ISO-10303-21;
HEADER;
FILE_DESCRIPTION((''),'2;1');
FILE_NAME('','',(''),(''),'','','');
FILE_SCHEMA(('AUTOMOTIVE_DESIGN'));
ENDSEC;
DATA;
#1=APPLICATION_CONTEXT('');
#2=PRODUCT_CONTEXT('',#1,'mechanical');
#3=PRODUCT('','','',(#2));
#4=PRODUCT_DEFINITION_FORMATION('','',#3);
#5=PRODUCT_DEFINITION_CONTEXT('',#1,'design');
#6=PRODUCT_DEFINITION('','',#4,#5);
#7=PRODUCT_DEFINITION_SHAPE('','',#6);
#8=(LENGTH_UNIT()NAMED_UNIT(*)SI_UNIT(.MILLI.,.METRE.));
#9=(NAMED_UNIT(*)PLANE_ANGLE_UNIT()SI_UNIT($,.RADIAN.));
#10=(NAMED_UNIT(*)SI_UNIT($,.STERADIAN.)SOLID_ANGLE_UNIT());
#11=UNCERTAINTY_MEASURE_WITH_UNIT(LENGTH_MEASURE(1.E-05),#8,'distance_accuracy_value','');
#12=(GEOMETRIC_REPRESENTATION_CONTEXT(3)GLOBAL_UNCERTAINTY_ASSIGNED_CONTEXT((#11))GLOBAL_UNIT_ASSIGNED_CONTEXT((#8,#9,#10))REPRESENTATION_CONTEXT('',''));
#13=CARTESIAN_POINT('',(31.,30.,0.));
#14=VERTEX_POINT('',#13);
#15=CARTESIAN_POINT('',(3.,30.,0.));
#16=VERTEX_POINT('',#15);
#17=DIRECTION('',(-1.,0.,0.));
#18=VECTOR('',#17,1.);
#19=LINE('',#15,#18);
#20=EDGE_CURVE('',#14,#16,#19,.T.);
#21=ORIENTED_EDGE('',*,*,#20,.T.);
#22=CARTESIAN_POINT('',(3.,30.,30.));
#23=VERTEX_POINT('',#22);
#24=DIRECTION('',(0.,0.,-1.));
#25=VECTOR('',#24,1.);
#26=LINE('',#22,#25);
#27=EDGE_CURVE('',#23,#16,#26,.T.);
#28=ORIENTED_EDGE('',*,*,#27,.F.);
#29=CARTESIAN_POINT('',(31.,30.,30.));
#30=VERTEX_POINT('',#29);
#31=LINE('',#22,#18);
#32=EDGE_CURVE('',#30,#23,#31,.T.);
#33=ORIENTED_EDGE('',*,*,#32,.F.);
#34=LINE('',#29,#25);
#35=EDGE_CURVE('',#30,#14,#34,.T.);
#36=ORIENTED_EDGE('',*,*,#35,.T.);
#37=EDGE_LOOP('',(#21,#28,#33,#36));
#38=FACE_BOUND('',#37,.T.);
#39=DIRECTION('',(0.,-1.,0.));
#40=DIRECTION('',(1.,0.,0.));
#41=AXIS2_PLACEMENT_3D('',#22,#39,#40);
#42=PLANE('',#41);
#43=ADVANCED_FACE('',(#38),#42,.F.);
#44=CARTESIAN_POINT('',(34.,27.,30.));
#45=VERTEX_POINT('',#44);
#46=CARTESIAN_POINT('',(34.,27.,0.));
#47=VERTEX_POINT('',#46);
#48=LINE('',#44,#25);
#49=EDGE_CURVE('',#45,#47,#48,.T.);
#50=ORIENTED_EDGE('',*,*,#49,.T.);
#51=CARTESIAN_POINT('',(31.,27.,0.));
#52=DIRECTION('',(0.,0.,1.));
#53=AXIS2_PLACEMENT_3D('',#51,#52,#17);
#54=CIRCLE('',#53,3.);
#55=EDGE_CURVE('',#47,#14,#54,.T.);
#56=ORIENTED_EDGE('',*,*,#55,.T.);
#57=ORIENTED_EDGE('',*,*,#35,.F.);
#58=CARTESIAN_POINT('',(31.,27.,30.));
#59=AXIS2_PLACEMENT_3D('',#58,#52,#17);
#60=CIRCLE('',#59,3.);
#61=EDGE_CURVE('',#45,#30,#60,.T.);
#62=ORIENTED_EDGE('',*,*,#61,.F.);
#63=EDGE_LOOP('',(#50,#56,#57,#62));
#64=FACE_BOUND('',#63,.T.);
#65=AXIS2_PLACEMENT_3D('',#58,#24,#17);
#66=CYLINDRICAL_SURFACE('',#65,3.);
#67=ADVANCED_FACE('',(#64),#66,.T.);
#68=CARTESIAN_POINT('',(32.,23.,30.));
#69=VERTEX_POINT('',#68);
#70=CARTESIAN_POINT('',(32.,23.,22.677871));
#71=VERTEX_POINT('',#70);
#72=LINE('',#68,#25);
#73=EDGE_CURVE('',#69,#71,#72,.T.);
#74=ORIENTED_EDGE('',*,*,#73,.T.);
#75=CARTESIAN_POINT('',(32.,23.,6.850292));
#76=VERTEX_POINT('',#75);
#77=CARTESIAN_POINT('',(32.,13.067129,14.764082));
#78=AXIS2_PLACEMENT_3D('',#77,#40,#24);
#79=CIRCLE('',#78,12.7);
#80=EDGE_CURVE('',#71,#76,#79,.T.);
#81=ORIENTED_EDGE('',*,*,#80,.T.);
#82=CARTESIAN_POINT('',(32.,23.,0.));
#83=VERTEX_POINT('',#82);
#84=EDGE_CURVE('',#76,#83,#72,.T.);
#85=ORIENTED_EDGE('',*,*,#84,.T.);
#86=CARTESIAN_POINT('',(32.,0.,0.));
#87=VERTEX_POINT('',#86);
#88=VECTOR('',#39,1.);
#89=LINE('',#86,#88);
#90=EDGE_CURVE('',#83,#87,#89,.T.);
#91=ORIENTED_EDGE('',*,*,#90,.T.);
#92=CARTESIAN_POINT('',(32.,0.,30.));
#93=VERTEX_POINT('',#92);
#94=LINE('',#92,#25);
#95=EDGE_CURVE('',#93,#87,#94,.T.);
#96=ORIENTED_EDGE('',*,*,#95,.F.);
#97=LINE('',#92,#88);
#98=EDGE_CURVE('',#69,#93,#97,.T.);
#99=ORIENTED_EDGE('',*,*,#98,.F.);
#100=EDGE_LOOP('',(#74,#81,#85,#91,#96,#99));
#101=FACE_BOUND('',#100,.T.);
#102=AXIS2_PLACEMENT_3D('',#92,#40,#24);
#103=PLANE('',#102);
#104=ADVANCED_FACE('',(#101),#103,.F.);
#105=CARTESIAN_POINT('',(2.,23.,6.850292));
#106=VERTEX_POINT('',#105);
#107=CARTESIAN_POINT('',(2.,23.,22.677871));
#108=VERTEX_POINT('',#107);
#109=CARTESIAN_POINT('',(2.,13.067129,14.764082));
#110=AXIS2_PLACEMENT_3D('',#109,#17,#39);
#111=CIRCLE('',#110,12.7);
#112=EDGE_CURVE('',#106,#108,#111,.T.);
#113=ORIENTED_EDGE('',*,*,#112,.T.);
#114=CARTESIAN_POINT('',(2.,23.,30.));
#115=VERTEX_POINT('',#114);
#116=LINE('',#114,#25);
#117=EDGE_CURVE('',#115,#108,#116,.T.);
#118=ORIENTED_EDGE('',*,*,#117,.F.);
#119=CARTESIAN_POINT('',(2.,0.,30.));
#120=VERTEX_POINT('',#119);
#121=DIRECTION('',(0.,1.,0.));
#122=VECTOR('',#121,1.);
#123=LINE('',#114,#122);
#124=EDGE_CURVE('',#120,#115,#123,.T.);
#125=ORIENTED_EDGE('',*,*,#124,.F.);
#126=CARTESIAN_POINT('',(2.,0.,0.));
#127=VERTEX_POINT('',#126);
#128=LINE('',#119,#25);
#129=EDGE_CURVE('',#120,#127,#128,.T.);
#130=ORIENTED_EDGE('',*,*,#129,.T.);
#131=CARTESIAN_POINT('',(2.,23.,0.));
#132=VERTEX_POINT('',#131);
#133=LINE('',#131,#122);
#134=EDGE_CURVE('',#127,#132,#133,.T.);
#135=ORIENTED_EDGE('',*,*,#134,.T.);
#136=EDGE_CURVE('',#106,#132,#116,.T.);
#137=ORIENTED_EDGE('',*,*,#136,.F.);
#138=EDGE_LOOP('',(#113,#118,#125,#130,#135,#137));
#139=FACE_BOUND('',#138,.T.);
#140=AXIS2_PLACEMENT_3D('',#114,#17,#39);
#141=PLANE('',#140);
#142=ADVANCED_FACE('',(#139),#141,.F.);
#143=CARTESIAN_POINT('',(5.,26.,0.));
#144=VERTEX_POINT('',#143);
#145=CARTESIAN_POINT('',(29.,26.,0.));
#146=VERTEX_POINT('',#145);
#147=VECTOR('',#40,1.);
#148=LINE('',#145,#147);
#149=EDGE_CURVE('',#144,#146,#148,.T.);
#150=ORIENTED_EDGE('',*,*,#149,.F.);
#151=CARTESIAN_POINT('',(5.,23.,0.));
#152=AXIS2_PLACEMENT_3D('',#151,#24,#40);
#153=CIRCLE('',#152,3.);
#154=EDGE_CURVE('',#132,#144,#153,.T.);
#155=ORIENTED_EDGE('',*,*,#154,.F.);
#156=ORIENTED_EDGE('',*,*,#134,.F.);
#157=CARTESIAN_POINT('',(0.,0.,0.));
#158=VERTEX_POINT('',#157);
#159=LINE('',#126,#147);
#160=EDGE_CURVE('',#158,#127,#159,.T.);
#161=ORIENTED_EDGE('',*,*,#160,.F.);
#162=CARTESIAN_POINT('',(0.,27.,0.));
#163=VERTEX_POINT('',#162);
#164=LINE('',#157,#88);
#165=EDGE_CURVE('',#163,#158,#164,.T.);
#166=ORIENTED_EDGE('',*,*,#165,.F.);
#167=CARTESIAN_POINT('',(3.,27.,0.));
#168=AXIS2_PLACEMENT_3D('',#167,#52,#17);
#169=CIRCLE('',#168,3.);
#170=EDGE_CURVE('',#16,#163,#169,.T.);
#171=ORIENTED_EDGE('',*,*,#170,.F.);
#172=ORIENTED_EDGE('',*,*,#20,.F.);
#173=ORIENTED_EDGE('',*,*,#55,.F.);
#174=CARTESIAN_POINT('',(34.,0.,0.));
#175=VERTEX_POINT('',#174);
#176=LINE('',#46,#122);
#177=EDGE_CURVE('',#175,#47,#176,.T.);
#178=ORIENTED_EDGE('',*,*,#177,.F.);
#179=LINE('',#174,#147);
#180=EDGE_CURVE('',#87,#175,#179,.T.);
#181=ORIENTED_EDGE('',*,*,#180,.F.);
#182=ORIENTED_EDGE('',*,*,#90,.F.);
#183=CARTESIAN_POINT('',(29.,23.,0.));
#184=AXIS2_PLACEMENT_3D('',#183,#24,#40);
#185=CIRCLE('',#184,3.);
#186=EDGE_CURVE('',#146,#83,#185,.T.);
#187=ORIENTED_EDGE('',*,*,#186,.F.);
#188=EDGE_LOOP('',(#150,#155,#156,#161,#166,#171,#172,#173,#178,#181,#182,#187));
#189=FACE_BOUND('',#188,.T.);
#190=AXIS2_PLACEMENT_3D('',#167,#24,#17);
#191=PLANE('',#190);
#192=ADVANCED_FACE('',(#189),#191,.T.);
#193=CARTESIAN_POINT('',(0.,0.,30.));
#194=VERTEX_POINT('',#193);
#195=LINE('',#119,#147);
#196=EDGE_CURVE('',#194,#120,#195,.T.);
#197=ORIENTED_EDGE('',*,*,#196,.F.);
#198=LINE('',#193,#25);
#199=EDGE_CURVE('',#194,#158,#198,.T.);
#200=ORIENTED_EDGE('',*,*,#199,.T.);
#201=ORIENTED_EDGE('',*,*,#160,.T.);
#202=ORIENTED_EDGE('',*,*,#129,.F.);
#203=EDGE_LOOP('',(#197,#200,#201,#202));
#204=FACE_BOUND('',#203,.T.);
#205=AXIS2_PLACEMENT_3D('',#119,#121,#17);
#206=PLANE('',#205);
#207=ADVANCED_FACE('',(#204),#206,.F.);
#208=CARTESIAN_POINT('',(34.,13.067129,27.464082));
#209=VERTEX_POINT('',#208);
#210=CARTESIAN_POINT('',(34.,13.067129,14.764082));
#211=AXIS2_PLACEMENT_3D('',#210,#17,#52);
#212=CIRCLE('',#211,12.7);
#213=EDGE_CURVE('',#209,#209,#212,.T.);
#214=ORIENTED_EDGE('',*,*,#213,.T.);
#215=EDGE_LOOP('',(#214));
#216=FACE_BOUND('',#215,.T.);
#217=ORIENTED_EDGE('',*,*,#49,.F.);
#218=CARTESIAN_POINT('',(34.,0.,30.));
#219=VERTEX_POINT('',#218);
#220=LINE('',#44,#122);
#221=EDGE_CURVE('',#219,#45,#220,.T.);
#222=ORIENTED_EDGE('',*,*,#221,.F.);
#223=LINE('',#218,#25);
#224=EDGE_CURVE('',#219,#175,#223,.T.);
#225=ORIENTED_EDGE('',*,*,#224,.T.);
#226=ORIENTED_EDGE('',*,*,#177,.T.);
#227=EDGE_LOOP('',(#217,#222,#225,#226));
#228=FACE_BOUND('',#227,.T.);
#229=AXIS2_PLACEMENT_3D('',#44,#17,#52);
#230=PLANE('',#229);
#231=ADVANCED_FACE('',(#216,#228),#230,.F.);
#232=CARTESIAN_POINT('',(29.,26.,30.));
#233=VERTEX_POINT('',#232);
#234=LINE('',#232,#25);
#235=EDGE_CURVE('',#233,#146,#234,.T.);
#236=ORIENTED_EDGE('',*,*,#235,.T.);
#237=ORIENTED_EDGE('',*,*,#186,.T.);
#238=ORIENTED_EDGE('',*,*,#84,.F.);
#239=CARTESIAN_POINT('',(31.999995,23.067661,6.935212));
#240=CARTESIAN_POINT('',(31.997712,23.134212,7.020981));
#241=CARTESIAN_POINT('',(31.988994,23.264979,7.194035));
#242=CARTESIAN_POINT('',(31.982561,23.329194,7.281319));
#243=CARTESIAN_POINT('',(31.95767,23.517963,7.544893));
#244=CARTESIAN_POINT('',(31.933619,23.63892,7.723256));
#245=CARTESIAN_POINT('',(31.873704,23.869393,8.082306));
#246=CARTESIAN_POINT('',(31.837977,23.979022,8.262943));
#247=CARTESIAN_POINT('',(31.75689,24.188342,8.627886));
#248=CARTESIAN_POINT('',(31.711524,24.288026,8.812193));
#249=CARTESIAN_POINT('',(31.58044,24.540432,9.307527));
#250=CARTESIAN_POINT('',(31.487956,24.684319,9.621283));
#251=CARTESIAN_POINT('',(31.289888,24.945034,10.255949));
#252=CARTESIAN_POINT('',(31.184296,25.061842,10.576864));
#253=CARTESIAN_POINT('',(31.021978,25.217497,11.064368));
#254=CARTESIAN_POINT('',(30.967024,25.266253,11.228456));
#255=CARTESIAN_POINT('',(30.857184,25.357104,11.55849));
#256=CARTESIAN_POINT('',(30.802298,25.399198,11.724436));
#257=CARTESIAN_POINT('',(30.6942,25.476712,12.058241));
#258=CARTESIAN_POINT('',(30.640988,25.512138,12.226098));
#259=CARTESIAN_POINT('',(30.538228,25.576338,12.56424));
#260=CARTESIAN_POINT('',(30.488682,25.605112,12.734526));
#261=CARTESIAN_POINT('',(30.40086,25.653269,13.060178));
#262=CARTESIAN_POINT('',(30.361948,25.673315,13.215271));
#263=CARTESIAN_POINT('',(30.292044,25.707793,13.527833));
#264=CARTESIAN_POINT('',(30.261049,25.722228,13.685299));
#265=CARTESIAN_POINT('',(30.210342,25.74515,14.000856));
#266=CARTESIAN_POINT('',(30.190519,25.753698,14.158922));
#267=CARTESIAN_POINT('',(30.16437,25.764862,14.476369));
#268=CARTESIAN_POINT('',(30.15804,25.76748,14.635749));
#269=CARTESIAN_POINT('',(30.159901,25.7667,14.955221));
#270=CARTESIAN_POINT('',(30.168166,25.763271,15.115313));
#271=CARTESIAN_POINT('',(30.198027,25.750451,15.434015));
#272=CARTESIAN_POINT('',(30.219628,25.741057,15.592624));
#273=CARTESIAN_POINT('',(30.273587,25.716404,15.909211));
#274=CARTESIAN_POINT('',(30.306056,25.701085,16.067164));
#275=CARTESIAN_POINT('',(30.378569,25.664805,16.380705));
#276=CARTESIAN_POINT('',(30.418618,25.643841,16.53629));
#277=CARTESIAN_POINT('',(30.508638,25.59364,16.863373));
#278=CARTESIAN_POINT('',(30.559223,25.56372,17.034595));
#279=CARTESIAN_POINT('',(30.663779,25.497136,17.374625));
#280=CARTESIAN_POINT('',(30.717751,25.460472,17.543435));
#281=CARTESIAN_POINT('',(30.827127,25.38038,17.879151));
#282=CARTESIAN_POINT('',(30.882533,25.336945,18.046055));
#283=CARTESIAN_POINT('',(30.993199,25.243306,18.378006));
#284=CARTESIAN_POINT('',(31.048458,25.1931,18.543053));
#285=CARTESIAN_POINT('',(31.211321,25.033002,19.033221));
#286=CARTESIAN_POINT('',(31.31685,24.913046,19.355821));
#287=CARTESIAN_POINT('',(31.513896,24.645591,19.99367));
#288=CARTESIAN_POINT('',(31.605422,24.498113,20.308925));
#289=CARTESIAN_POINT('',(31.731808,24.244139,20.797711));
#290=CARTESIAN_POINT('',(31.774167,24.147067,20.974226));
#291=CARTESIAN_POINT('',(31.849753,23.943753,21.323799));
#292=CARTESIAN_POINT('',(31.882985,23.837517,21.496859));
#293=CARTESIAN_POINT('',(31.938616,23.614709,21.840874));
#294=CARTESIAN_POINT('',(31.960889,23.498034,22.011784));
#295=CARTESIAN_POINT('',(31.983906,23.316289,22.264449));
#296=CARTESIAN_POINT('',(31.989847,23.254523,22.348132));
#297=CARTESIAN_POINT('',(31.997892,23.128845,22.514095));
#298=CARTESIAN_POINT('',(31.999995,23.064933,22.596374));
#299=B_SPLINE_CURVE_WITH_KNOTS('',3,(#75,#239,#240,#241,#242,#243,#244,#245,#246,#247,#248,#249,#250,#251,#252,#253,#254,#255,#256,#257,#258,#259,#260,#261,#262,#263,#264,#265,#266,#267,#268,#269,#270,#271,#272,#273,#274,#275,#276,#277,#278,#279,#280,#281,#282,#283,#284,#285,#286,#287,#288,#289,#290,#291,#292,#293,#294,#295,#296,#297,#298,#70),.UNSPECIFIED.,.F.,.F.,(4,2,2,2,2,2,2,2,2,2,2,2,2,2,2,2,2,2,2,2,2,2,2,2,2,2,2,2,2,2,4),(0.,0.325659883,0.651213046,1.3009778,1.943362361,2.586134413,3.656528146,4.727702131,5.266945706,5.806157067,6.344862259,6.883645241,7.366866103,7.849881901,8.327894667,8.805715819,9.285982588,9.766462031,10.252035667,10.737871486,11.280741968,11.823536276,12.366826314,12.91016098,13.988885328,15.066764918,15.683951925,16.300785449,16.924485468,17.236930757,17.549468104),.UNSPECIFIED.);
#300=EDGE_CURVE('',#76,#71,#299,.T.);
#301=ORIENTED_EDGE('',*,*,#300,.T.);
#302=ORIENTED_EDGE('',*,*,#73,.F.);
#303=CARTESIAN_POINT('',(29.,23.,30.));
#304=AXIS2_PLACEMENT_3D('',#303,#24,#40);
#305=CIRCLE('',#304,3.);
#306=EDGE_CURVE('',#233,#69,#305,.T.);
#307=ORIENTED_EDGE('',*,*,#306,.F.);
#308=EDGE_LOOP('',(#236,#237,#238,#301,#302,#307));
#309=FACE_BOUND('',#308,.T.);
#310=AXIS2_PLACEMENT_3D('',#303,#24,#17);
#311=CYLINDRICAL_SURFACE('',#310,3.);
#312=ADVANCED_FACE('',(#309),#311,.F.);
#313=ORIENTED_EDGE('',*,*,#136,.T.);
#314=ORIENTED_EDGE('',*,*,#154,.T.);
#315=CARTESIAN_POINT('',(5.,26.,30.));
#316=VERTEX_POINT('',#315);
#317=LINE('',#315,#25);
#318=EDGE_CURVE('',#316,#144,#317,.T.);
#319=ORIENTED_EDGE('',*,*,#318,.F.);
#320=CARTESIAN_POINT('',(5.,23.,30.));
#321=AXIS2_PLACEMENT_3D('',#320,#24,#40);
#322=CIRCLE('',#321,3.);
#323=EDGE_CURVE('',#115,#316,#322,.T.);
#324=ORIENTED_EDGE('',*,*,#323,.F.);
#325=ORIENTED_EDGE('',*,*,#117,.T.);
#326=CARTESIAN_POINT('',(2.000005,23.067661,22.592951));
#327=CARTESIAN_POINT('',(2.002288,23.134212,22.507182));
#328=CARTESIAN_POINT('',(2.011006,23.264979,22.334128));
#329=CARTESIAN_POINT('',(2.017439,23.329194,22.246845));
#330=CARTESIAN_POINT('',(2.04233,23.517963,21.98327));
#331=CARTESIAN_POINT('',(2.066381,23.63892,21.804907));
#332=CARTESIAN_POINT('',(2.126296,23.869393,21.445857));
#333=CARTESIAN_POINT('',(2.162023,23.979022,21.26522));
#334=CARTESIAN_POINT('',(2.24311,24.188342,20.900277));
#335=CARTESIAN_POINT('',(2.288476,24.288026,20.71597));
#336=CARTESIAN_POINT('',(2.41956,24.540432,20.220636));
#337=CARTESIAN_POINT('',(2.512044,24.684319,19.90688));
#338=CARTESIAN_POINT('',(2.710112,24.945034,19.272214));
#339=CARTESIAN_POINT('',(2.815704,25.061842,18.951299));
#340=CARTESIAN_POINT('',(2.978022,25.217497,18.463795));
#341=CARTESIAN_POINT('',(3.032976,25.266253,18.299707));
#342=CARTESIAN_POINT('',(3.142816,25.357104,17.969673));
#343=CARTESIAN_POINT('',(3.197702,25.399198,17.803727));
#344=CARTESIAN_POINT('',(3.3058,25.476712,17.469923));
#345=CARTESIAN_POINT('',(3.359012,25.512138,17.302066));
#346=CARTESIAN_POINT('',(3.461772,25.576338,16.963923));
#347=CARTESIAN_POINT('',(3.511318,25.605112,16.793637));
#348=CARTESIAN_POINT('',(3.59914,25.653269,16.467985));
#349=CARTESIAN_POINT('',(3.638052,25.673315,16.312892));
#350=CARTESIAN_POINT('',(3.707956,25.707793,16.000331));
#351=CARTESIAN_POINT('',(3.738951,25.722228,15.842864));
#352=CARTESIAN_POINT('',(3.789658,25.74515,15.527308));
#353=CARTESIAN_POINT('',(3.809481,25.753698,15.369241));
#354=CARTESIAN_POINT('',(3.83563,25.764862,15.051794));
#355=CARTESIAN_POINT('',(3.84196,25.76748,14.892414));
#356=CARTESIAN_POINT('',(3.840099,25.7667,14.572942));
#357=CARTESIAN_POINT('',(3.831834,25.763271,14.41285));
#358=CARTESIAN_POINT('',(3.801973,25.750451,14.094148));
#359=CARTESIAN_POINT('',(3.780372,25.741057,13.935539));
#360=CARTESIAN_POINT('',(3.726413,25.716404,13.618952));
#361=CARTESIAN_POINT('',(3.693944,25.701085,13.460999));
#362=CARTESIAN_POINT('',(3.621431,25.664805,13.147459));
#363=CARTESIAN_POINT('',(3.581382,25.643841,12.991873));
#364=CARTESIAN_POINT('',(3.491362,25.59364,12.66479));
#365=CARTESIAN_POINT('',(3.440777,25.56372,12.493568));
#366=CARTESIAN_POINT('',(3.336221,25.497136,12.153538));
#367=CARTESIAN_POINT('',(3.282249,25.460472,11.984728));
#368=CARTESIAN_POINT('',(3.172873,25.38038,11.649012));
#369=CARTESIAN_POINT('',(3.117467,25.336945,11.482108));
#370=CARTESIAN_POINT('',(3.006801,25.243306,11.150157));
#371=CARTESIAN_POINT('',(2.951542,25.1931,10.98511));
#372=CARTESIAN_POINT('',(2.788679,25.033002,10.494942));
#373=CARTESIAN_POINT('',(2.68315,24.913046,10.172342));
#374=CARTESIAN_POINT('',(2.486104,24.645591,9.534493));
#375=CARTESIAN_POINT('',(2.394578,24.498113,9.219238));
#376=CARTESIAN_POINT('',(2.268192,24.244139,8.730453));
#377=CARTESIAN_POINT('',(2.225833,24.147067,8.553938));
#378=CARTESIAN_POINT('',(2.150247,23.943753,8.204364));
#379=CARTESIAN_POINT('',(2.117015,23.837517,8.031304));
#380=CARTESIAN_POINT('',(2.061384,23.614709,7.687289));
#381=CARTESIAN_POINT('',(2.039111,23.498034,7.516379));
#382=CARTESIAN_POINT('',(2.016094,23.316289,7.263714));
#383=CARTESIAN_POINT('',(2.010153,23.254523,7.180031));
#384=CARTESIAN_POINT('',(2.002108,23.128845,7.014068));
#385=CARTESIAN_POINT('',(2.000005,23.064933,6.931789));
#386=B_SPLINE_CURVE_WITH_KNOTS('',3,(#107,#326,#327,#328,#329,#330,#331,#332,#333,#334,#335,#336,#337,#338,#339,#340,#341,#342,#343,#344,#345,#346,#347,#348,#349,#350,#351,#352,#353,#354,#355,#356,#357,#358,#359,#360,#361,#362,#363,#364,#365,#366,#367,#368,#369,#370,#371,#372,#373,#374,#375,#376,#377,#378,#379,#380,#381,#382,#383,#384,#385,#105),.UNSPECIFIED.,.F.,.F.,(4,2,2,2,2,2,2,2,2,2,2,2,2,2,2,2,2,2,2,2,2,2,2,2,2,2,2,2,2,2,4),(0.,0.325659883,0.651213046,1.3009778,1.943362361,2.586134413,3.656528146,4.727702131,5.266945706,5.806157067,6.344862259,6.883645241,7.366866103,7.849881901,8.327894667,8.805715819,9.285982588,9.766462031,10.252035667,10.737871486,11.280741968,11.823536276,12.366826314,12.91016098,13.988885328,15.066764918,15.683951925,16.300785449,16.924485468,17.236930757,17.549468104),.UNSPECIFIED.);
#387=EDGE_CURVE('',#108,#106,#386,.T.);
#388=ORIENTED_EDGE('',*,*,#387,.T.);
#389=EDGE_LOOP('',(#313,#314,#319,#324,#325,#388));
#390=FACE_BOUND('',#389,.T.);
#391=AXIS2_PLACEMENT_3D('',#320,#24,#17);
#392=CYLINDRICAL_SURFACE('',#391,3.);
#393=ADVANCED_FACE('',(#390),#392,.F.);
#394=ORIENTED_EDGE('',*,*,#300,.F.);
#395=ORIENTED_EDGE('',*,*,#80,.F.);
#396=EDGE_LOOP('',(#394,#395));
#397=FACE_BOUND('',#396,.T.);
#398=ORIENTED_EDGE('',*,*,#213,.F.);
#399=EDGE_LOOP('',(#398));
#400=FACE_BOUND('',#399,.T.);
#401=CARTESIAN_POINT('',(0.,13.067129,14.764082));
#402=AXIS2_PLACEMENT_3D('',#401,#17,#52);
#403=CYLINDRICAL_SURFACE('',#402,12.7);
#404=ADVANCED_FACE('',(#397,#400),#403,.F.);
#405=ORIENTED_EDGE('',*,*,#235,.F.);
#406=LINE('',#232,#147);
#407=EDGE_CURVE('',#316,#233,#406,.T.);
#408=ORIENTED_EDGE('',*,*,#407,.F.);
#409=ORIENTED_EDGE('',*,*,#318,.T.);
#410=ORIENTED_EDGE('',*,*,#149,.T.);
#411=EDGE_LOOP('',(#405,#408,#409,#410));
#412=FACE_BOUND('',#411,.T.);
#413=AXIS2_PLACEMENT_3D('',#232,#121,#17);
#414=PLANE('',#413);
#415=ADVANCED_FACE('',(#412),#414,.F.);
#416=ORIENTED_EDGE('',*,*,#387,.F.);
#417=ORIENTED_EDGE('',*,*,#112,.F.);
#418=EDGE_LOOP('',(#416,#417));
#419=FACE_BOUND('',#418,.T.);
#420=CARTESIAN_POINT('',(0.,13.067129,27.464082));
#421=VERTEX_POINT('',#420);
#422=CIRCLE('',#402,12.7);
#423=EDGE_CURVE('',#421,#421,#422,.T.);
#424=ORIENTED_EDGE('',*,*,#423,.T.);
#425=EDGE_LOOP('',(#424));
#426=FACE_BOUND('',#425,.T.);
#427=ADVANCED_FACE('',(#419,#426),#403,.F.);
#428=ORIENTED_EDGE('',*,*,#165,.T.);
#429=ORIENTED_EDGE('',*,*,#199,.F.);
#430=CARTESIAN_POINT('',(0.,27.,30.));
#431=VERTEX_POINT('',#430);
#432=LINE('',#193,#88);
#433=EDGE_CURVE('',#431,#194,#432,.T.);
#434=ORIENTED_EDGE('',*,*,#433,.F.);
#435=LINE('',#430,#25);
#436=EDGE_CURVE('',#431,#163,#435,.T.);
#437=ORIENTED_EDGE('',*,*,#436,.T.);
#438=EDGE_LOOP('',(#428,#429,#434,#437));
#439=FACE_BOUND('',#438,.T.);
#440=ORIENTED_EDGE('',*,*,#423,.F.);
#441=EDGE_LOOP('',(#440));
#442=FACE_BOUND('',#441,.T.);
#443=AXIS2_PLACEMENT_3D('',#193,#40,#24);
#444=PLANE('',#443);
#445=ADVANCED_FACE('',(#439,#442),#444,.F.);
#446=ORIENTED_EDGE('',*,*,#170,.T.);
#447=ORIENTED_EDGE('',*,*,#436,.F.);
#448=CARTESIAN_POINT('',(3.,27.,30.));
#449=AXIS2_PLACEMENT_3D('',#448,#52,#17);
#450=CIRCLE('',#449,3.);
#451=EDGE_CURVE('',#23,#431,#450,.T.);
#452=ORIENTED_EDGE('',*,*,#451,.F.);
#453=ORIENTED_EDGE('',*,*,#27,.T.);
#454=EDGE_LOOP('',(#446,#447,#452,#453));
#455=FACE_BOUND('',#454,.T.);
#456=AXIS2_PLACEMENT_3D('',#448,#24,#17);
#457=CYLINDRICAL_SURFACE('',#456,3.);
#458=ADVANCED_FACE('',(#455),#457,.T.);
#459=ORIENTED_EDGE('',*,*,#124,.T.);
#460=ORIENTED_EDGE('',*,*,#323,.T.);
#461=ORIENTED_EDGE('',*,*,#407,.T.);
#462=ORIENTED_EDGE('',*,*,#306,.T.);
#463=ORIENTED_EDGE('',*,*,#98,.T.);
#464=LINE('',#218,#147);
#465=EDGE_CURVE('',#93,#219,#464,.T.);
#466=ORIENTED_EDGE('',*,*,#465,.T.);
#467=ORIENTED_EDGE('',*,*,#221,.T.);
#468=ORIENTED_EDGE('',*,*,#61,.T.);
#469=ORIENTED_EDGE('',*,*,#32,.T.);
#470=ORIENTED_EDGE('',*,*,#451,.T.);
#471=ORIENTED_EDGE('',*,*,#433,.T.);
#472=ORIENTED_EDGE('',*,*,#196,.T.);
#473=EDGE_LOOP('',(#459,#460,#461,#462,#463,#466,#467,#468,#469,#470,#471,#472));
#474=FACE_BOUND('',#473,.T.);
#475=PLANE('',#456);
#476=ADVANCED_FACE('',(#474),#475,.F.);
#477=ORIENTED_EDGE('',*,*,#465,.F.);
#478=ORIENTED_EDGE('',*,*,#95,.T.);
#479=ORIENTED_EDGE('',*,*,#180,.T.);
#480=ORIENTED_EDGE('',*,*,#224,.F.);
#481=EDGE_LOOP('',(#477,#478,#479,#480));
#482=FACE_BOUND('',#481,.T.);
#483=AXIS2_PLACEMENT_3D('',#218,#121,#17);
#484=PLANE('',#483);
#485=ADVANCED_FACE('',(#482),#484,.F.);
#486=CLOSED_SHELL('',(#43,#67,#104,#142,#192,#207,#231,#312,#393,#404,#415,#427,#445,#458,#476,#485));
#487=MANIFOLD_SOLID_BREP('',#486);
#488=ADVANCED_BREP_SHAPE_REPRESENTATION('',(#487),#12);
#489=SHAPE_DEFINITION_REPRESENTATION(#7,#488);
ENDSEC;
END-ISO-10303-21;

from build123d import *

# Parameters (mm, degrees)
BOSS_EXTRU_1_DEPTH = 30
PER_AGE1_D         = 25.4


with BuildPart() as part:
    # Esquisse1 → Boss.-Extru.1 (new body)
    with BuildSketch(Plane.XY):
        with BuildLine():
            Line((0, 0), (0, 27))
            ThreePointArc((0, 27), (0.878679656, 29.121320344), (3, 30))
            Line((3, 30), (31, 30))
            ThreePointArc((31, 30), (33.121320344, 29.121320344), (34, 27))
            Line((34, 27), (34, 0))
            Line((34, 0), (32, 0))
            Line((32, 0), (32, 23))
            ThreePointArc((32, 23), (31.121320344, 25.121320344), (29, 26))
            Line((29, 26), (5, 26))
            ThreePointArc((5, 26), (2.878679656, 25.121320344), (2, 23))
            Line((2, 23), (2, 0))
            Line((2, 0), (0, 0))
        make_face()
    extrude(amount=BOSS_EXTRU_1_DEPTH)

    # Perçage1 (through all)
    with Locations(Plane.ZY):
        with Locations((14.764081533, 13.067128835)):
            Hole(PER_AGE1_D / 2)


solid = part.part
